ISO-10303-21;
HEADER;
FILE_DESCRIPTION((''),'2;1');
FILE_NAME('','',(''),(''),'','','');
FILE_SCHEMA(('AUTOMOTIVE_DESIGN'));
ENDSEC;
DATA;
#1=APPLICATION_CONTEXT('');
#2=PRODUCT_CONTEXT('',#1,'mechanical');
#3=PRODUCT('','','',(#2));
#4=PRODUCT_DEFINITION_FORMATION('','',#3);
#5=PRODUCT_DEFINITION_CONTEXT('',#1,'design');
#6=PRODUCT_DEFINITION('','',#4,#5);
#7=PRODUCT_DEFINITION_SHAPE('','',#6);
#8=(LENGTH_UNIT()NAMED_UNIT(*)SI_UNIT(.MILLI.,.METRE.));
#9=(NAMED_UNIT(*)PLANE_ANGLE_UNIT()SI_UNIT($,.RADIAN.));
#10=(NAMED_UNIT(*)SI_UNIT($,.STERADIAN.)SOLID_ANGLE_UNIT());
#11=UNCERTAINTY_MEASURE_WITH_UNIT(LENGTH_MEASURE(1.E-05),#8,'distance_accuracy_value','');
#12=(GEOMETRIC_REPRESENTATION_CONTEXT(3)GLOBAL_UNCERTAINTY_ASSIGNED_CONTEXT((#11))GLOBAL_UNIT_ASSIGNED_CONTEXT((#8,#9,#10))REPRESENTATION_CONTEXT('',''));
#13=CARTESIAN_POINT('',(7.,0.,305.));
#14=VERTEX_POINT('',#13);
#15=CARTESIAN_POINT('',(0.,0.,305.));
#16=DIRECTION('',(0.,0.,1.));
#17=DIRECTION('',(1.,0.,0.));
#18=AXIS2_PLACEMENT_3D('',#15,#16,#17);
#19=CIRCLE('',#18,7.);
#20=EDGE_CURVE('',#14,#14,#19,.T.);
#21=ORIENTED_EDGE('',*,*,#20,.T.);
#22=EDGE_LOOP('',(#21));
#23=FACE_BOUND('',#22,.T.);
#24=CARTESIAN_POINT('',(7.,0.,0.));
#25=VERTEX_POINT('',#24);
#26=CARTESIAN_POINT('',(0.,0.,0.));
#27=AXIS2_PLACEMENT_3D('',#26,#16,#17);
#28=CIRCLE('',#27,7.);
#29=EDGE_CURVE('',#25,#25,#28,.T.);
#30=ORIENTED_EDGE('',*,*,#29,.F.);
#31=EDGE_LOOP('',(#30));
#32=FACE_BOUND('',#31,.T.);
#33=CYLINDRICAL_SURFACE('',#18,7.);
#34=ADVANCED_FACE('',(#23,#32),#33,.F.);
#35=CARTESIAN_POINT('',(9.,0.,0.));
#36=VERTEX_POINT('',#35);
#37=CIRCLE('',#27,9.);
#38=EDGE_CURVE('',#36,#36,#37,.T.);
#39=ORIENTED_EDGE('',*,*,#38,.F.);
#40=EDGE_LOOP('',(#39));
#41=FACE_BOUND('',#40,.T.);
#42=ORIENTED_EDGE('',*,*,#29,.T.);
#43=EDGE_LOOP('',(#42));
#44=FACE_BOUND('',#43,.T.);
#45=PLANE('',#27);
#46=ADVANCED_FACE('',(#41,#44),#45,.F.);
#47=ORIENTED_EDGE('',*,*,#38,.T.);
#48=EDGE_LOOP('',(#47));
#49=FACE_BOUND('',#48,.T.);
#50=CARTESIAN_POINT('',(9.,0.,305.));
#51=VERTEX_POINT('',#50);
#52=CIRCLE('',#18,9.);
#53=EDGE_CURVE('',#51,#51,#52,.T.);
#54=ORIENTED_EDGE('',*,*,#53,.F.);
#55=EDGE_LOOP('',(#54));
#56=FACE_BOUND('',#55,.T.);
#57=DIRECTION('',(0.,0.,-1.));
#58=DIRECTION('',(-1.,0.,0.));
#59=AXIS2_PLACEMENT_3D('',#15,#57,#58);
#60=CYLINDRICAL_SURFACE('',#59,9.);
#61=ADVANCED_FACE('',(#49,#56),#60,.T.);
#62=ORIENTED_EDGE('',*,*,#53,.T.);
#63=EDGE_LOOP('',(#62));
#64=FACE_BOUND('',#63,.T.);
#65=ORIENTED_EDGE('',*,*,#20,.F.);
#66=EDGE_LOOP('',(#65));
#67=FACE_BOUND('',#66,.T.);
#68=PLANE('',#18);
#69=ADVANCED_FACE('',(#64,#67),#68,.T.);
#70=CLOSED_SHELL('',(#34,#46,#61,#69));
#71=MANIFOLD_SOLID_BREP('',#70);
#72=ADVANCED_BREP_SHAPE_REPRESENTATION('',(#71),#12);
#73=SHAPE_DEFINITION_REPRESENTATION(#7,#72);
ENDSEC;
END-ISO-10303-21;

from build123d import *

# Parameters (mm, degrees)
ESQUISSE1_R            = 9
EXTRUSION1_DEPTH       = 305
TROU_TARAUD_M16X2_01_D = 14


with BuildPart() as part:
    # Esquisse1 → Extrusion1 (new body)
    with BuildSketch(Plane.XY):
        Circle(ESQUISSE1_R)
    extrude(amount=EXTRUSION1_DEPTH)

    # Trou taraudé M16x2.01 (through all)
    with Locations(Plane.XY.offset(305)):
        with Locations((0, 0)):
            Hole(TROU_TARAUD_M16X2_01_D / 2)


solid = part.part
